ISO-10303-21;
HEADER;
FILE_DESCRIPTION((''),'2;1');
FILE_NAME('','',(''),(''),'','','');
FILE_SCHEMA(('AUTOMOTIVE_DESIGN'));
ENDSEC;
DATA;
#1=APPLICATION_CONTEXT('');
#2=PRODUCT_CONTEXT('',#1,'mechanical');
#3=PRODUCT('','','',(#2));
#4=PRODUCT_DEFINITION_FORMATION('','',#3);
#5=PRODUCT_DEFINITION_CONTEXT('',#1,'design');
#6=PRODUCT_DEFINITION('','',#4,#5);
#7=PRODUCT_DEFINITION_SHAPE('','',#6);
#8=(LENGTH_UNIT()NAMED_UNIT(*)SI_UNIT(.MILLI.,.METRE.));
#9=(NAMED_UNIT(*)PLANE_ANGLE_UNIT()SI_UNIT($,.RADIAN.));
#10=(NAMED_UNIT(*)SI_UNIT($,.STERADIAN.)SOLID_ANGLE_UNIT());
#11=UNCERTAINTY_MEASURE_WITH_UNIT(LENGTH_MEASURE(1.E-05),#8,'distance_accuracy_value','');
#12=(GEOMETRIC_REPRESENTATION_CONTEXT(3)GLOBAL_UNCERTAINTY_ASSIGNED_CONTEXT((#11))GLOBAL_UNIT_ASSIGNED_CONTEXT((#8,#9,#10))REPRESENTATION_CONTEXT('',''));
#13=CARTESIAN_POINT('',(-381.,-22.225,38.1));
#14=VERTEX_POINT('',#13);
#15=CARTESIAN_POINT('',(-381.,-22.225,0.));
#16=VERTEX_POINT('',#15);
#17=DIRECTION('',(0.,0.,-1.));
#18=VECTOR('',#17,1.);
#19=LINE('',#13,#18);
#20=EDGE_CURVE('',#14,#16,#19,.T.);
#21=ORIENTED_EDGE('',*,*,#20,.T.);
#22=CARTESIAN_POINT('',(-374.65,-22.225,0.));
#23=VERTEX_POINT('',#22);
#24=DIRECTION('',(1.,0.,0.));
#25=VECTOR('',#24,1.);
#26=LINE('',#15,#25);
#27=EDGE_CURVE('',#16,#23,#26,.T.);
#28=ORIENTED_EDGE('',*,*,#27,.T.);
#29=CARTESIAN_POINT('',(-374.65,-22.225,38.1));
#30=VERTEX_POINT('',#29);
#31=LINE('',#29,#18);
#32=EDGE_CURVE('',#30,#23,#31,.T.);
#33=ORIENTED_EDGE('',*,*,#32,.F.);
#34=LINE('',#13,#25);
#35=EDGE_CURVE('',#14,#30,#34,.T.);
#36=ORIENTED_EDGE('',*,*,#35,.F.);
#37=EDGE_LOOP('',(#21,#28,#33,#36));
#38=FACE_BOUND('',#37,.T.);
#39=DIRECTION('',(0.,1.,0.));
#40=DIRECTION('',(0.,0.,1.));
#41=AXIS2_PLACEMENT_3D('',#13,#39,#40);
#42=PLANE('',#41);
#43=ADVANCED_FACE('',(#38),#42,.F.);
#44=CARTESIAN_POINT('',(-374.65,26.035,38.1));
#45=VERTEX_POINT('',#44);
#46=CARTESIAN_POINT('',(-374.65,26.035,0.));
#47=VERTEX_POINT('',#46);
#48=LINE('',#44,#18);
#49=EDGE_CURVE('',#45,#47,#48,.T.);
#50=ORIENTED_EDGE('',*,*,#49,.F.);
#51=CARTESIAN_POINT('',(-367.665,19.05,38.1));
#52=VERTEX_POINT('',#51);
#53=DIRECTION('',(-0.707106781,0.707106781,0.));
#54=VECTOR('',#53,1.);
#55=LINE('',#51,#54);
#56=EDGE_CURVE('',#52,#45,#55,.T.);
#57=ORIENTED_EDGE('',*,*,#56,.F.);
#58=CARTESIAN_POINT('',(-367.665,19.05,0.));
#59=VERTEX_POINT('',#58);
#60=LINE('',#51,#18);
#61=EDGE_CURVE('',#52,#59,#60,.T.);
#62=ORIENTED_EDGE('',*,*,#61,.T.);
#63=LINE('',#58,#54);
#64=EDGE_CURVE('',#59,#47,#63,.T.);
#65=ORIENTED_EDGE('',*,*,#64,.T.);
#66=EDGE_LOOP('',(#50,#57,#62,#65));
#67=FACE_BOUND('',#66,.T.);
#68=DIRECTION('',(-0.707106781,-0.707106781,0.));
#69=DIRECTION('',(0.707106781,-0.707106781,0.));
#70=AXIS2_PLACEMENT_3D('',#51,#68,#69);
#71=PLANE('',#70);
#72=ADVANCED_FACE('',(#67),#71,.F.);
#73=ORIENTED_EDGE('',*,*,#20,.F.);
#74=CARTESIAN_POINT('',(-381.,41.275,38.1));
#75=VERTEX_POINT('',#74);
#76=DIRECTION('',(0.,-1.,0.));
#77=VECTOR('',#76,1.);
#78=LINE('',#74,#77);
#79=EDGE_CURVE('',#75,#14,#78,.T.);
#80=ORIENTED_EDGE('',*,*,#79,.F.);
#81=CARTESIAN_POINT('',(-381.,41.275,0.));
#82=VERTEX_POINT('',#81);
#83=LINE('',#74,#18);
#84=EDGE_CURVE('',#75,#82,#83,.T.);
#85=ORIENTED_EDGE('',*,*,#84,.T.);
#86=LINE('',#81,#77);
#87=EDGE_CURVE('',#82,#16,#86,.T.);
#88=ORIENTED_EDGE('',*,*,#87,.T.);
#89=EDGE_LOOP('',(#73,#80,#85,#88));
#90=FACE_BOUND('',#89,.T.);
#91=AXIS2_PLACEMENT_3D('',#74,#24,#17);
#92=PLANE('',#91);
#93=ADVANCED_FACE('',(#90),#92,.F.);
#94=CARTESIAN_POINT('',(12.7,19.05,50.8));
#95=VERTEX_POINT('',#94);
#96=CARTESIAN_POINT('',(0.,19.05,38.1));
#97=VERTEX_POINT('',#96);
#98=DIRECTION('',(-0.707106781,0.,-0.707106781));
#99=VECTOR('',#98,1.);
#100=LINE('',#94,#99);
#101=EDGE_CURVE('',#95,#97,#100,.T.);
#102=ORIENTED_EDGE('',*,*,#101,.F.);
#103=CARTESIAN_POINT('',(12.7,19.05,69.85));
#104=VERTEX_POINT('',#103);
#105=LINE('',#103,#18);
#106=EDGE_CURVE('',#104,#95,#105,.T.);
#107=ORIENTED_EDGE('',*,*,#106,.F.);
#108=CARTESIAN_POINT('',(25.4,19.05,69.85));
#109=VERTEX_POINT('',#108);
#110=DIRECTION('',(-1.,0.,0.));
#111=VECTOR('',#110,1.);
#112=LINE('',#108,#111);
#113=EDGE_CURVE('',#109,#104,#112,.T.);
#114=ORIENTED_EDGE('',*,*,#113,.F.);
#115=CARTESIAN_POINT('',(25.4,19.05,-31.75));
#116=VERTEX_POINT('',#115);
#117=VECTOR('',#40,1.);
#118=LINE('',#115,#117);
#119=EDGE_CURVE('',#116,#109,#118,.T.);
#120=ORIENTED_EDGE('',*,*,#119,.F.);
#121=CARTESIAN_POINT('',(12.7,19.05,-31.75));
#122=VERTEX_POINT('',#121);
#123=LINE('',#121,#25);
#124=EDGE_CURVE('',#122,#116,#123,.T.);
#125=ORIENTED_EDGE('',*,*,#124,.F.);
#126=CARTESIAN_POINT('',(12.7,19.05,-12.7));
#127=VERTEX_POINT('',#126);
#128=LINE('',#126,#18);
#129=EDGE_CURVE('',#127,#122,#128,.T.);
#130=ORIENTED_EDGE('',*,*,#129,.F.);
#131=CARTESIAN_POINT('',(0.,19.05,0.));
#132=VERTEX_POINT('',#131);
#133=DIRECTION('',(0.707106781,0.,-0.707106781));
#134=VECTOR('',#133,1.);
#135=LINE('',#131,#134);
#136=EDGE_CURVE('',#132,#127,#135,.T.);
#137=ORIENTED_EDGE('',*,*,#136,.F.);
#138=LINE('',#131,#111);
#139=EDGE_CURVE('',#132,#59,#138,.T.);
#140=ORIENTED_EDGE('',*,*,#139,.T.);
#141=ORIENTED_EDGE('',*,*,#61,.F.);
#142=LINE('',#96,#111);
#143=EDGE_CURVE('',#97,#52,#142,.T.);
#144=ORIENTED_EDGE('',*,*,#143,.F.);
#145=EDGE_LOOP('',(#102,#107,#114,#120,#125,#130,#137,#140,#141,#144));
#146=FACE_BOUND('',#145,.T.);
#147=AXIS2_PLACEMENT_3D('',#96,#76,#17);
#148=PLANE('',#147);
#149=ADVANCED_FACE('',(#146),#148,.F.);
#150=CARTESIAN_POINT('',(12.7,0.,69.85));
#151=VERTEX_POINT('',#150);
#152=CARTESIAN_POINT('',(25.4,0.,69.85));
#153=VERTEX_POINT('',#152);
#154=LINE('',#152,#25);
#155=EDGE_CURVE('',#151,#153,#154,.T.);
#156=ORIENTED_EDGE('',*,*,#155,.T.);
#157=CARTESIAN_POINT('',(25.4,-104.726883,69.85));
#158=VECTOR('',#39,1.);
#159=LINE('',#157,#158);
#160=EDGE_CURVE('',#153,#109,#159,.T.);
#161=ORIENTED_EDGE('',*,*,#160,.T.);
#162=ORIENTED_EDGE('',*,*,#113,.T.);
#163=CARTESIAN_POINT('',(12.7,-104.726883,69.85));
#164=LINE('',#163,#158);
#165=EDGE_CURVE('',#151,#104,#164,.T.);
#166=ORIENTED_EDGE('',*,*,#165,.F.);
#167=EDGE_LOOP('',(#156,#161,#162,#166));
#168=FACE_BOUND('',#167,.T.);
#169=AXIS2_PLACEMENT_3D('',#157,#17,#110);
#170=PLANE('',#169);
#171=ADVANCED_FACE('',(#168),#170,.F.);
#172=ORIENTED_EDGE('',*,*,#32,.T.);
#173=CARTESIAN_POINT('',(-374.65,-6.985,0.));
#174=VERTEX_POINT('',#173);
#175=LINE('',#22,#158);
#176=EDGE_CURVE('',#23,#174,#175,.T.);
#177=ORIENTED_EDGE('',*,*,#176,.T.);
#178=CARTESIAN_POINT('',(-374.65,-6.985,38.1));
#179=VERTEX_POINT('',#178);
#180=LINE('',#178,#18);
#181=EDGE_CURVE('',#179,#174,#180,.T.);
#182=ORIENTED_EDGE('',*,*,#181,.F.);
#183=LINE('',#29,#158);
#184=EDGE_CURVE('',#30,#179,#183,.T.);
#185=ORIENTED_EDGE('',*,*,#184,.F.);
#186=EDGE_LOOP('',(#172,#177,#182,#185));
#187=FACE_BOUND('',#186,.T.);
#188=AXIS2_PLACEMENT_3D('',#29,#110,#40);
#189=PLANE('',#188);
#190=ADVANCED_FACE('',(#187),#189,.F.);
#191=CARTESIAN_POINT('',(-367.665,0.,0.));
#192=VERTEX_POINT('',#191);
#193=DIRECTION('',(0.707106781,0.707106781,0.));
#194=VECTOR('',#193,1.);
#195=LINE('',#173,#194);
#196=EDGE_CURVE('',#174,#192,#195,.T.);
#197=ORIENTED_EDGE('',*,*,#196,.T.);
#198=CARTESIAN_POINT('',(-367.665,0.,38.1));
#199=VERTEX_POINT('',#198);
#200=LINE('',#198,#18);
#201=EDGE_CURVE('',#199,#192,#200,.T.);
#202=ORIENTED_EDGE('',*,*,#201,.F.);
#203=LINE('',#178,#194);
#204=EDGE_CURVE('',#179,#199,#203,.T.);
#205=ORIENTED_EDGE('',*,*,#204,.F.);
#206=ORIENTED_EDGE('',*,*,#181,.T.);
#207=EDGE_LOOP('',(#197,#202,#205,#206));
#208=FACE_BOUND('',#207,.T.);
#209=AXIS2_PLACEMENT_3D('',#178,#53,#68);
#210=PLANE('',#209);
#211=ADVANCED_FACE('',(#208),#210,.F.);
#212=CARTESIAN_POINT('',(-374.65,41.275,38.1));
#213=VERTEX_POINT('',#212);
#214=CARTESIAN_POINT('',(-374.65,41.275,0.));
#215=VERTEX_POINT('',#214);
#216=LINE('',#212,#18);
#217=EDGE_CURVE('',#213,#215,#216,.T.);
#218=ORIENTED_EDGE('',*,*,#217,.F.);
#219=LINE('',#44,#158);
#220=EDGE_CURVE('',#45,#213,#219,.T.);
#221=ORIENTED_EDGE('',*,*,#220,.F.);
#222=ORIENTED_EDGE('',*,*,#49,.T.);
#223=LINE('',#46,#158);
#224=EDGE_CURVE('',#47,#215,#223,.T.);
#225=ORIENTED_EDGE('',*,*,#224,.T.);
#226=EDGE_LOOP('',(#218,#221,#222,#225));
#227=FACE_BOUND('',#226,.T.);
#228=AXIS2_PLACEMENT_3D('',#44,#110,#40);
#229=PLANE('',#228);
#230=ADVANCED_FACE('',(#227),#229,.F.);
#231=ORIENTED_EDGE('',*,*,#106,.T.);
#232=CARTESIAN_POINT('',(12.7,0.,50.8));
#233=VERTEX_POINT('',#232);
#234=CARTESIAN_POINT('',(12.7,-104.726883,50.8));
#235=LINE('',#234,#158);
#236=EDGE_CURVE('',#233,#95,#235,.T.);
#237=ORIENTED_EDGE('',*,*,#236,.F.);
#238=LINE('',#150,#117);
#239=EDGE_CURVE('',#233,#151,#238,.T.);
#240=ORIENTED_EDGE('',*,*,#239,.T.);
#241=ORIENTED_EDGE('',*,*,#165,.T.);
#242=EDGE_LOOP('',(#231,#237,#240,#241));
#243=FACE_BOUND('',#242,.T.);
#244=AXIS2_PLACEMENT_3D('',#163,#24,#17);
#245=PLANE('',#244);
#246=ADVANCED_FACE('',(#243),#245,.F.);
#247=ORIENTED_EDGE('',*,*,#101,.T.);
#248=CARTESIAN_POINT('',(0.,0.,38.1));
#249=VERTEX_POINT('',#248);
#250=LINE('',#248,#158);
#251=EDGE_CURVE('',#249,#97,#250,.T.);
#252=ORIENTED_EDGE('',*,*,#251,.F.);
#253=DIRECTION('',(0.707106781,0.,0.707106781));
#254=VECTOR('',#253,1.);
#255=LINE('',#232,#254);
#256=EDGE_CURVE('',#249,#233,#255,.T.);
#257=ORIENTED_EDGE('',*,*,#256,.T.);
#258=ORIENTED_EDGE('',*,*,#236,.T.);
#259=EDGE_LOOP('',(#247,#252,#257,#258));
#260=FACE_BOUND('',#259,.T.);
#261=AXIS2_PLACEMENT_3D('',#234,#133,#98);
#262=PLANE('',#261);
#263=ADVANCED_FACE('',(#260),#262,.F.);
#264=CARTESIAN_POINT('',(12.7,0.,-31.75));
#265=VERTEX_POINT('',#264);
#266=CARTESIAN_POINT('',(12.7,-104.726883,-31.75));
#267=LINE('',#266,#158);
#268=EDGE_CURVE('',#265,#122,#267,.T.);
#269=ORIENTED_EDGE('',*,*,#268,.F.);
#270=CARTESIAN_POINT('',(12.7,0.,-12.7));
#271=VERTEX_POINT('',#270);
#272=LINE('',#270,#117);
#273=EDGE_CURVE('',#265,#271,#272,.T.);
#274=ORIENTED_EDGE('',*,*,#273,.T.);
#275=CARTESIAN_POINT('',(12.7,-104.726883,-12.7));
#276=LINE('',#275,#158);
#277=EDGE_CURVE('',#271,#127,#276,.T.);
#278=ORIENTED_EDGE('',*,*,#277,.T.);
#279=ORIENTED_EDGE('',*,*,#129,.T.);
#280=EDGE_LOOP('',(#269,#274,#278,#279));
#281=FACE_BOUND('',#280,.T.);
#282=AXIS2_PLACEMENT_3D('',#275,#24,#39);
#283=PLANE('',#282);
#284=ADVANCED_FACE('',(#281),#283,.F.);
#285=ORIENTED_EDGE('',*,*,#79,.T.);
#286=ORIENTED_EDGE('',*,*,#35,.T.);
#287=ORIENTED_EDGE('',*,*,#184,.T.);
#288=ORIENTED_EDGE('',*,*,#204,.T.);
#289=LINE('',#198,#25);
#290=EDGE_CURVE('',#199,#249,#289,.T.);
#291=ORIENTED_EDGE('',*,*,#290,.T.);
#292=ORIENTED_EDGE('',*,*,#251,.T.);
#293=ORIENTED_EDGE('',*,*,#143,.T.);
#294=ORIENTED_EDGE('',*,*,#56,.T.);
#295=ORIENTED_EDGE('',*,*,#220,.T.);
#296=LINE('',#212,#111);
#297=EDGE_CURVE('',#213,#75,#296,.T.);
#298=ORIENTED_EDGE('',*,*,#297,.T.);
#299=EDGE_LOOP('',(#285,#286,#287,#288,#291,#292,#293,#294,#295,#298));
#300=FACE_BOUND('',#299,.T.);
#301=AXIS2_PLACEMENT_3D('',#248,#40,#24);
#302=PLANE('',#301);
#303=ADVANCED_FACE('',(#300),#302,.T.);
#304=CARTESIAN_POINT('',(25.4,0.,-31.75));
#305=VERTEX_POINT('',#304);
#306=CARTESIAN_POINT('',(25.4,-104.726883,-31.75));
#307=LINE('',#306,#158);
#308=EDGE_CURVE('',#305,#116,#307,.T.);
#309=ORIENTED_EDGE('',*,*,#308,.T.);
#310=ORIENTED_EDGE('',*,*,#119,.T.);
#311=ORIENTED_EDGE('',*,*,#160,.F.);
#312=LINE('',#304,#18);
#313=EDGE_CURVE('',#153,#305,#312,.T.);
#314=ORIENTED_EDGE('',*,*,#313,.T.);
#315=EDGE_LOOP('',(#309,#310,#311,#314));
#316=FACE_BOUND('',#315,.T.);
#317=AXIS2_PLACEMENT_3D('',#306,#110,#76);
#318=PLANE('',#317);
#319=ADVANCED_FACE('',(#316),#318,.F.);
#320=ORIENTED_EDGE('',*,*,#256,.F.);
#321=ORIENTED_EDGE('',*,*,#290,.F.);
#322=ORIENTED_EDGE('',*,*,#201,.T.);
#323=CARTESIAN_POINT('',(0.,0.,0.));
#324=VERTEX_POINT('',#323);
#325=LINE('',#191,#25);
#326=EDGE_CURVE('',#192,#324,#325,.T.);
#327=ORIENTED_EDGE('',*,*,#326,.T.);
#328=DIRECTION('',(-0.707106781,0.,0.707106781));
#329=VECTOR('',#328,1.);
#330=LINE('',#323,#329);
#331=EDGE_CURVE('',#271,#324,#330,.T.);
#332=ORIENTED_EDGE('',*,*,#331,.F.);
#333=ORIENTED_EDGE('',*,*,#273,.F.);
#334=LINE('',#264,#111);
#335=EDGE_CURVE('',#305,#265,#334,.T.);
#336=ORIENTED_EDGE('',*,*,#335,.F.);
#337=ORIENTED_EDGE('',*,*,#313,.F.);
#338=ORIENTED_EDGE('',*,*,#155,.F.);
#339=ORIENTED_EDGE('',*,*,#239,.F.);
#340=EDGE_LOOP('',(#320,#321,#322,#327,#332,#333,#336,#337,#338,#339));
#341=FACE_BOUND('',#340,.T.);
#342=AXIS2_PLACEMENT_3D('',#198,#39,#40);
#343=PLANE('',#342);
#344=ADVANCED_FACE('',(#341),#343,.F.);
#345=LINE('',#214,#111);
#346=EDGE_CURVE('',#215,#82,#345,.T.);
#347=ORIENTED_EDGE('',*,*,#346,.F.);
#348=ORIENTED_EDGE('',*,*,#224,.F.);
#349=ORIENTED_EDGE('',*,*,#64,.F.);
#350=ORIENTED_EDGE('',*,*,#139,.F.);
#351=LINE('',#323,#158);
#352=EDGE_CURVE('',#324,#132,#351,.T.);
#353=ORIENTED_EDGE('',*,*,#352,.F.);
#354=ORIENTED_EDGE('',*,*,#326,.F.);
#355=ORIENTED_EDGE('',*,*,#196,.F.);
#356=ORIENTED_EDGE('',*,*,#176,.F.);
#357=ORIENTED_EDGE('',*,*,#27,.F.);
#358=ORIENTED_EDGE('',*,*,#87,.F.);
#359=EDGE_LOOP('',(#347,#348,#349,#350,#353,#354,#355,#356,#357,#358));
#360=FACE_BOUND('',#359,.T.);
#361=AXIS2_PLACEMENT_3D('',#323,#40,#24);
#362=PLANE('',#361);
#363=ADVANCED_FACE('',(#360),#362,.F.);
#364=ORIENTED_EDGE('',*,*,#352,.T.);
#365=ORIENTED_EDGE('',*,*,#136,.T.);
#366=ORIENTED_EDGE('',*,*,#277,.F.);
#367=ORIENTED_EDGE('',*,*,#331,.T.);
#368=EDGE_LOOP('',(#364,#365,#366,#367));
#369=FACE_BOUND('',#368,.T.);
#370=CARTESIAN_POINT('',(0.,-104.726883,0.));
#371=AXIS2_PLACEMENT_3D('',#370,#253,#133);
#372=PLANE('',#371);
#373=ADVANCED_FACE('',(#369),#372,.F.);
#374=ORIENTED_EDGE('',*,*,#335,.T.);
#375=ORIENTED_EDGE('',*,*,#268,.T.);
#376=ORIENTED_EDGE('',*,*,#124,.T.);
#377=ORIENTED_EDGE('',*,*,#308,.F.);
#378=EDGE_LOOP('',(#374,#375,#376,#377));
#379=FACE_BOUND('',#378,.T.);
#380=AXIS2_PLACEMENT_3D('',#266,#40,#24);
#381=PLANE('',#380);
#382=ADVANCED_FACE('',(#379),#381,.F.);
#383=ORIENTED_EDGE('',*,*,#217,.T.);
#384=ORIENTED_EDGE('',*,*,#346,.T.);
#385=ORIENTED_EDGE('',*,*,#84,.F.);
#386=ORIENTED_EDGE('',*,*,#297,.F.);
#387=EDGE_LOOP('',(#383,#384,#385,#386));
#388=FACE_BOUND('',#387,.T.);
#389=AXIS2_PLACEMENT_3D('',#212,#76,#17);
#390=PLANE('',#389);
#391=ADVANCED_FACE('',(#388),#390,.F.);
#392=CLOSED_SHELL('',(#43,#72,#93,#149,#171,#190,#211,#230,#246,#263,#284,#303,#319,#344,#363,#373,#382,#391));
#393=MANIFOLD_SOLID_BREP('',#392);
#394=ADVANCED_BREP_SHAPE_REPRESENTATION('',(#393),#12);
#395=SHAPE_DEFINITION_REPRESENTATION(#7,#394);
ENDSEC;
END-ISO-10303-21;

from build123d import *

# Parameters (mm, degrees)
BOSS_EXTRUDE1_DEPTH = 38.1
BOSS_EXTRUDE2_DEPTH = 19.05


with BuildPart() as part:
    # Sketch3 → Boss-Extrude1 (new body)
    with BuildSketch(Plane.XY):
        Polygon((0, 0), (0, 19.05), (-367.665, 19.05), (-374.65, 26.035), (-374.65, 41.275), (-381, 41.275), (-381, -22.225), (-374.65, -22.225), (-374.65, -6.985), (-367.665, 0), align=None)
    extrude(amount=BOSS_EXTRUDE1_DEPTH)

    # Sketch4 → Boss-Extrude2 (add)
    with BuildSketch(Plane(origin=(0, 19.05, 0), x_dir=(1, 0, 0), z_dir=(0, 1, 0))):
        Polygon((0, 0), (12.7, 12.7), (12.7, 31.75), (25.4, 31.75), (25.4, -69.85), (12.7, -69.85), (12.7, -50.8), (0, -38.1), align=None)
    extrude(amount=-BOSS_EXTRUDE2_DEPTH)


solid = part.part
